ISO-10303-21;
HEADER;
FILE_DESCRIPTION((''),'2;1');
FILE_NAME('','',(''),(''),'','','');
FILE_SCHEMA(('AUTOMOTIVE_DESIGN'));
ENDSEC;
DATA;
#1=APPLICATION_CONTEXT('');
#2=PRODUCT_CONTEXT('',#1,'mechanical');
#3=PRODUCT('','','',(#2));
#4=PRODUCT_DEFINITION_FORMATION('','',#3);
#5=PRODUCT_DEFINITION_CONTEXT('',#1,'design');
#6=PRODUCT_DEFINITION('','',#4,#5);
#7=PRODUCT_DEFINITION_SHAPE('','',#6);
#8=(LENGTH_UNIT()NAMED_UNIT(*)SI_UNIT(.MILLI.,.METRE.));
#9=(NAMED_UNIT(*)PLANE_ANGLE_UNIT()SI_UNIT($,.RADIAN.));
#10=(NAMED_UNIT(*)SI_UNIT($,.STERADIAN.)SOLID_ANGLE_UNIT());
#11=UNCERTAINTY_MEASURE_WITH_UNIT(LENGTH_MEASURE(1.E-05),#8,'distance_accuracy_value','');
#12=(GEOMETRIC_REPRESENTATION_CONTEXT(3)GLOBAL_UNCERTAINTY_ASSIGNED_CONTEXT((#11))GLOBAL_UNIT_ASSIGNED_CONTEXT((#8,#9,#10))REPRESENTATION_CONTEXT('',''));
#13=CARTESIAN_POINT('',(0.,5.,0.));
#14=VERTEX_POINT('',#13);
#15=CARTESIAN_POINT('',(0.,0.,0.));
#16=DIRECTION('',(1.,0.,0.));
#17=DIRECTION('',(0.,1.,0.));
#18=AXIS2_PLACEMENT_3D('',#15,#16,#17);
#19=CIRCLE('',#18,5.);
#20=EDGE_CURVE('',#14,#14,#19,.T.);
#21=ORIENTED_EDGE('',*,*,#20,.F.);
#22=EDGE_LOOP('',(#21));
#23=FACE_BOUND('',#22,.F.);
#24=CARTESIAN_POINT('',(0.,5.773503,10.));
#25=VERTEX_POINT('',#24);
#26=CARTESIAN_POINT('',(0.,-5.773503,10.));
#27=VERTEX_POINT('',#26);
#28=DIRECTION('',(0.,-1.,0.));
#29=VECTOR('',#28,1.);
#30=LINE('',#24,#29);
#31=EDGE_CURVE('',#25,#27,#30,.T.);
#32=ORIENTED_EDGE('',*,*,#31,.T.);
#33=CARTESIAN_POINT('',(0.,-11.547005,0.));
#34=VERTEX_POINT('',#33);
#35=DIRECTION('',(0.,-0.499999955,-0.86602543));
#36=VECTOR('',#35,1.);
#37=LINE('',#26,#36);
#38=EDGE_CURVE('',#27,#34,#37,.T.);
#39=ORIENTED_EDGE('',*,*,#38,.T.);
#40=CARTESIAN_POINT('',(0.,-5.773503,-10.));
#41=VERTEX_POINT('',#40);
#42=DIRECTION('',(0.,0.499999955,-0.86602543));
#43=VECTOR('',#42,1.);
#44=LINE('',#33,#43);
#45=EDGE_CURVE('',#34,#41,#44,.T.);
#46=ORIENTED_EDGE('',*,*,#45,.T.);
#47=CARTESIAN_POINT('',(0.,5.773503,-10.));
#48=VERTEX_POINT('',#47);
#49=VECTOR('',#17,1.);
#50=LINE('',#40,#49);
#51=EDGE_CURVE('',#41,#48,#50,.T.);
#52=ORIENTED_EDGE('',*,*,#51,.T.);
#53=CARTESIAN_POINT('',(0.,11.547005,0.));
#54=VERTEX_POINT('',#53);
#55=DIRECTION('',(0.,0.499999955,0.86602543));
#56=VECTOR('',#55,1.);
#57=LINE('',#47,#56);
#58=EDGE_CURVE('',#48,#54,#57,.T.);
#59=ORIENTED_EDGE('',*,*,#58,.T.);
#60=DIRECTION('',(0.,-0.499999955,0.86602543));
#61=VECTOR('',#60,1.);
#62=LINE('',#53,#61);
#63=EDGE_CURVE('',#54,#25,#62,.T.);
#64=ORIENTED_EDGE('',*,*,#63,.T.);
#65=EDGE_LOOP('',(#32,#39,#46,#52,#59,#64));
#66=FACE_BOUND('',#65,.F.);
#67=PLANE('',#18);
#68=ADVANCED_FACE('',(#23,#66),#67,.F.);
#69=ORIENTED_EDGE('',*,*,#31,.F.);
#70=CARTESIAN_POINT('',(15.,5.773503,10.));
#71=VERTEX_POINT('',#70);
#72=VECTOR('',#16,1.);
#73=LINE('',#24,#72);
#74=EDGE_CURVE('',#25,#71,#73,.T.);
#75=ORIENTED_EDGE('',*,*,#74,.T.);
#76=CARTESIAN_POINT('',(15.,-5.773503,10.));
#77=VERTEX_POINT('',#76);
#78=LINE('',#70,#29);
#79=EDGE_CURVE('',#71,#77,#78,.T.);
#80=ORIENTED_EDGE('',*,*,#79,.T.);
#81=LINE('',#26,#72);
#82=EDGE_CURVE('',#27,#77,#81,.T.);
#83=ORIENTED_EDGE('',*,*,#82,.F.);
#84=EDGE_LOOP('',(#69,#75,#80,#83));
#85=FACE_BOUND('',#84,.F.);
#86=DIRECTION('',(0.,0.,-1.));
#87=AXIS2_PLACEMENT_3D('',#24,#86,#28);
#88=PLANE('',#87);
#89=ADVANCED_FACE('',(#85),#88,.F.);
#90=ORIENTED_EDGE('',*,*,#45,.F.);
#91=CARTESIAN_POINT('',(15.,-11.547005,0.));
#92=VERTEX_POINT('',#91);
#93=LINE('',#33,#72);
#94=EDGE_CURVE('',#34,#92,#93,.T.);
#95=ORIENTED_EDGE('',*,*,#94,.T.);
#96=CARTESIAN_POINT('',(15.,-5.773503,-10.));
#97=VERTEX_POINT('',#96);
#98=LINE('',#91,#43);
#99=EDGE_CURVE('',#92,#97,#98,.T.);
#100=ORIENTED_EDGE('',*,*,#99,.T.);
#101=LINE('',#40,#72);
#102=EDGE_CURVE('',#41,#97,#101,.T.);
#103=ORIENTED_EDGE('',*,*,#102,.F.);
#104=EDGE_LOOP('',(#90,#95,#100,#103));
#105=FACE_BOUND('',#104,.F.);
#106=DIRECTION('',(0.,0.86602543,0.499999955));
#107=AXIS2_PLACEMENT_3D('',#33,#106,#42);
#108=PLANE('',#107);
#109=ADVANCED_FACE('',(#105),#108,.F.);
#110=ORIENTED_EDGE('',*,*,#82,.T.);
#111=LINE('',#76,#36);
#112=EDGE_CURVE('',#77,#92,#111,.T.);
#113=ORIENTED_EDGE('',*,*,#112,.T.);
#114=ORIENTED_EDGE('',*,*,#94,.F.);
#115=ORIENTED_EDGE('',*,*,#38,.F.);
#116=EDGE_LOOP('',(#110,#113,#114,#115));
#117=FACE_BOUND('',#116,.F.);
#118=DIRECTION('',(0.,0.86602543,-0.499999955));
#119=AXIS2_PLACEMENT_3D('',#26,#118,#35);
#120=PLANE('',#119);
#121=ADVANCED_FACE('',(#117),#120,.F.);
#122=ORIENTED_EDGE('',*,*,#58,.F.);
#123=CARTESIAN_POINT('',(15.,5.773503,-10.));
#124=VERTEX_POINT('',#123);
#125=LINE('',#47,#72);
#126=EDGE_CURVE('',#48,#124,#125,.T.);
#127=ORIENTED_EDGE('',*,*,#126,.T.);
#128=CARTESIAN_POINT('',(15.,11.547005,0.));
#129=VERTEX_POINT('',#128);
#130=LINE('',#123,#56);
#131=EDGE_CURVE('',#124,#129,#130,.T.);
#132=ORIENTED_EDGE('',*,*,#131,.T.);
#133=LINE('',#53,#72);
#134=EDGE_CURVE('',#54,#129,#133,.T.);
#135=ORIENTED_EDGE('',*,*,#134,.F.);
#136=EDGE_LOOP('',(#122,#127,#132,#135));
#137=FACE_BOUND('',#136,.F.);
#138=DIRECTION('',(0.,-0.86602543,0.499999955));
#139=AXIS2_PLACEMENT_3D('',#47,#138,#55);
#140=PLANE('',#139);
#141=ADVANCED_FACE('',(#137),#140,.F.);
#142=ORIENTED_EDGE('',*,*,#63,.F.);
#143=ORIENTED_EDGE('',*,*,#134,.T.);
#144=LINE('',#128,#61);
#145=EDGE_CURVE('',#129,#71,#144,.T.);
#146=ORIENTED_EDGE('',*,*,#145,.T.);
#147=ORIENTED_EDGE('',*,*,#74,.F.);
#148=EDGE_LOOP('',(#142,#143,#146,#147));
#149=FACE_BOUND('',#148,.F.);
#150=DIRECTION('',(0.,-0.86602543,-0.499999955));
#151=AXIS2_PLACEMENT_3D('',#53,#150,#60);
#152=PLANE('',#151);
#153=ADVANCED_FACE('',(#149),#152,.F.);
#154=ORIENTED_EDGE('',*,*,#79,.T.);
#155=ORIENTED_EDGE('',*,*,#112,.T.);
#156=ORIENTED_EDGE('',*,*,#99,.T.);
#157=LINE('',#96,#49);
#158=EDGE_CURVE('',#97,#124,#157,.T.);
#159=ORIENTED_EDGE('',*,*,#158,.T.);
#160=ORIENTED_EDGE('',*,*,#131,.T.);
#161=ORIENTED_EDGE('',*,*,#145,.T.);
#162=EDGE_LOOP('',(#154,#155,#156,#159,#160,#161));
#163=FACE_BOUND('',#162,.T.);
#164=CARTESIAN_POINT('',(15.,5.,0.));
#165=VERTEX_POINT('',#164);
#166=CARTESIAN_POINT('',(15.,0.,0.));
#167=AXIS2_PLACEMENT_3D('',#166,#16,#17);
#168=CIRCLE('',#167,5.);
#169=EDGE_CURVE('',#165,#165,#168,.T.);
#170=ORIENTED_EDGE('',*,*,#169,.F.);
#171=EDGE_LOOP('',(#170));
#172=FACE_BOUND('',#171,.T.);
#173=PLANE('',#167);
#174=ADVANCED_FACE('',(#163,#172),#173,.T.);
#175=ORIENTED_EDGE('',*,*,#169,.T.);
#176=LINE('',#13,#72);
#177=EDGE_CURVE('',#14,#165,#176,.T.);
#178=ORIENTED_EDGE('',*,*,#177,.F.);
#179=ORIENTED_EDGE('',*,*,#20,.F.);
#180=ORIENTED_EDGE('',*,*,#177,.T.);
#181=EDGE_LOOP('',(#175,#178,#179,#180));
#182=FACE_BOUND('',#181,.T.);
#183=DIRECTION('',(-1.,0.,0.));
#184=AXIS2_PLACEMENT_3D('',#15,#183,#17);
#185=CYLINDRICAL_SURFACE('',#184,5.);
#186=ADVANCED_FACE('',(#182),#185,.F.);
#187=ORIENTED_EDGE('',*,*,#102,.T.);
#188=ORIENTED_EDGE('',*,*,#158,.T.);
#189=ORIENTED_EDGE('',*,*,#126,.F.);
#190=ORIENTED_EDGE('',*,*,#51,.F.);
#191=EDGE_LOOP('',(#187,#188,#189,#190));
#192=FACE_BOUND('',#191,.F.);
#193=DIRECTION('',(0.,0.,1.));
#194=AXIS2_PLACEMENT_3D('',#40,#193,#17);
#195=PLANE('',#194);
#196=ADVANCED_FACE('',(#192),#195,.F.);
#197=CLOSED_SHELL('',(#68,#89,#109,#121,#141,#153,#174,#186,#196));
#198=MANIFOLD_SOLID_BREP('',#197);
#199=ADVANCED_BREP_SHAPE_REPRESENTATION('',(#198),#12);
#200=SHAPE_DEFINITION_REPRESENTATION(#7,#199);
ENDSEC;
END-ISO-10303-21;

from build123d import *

# Parameters (mm, degrees)
F0_R     = 5
F1_DEPTH = 15


with BuildPart() as f1:
    # F0 (on Right) → F1 (new body)
    with BuildSketch(Plane.YZ):
        Polygon((5.773503, 10), (-5.773503, 10), (-11.547005, 0), (-5.773503, -10), (5.773503, -10), (11.547005, 0), align=None)
        Circle(F0_R, mode=Mode.SUBTRACT)
    extrude(amount=F1_DEPTH)


solid = f1.part
